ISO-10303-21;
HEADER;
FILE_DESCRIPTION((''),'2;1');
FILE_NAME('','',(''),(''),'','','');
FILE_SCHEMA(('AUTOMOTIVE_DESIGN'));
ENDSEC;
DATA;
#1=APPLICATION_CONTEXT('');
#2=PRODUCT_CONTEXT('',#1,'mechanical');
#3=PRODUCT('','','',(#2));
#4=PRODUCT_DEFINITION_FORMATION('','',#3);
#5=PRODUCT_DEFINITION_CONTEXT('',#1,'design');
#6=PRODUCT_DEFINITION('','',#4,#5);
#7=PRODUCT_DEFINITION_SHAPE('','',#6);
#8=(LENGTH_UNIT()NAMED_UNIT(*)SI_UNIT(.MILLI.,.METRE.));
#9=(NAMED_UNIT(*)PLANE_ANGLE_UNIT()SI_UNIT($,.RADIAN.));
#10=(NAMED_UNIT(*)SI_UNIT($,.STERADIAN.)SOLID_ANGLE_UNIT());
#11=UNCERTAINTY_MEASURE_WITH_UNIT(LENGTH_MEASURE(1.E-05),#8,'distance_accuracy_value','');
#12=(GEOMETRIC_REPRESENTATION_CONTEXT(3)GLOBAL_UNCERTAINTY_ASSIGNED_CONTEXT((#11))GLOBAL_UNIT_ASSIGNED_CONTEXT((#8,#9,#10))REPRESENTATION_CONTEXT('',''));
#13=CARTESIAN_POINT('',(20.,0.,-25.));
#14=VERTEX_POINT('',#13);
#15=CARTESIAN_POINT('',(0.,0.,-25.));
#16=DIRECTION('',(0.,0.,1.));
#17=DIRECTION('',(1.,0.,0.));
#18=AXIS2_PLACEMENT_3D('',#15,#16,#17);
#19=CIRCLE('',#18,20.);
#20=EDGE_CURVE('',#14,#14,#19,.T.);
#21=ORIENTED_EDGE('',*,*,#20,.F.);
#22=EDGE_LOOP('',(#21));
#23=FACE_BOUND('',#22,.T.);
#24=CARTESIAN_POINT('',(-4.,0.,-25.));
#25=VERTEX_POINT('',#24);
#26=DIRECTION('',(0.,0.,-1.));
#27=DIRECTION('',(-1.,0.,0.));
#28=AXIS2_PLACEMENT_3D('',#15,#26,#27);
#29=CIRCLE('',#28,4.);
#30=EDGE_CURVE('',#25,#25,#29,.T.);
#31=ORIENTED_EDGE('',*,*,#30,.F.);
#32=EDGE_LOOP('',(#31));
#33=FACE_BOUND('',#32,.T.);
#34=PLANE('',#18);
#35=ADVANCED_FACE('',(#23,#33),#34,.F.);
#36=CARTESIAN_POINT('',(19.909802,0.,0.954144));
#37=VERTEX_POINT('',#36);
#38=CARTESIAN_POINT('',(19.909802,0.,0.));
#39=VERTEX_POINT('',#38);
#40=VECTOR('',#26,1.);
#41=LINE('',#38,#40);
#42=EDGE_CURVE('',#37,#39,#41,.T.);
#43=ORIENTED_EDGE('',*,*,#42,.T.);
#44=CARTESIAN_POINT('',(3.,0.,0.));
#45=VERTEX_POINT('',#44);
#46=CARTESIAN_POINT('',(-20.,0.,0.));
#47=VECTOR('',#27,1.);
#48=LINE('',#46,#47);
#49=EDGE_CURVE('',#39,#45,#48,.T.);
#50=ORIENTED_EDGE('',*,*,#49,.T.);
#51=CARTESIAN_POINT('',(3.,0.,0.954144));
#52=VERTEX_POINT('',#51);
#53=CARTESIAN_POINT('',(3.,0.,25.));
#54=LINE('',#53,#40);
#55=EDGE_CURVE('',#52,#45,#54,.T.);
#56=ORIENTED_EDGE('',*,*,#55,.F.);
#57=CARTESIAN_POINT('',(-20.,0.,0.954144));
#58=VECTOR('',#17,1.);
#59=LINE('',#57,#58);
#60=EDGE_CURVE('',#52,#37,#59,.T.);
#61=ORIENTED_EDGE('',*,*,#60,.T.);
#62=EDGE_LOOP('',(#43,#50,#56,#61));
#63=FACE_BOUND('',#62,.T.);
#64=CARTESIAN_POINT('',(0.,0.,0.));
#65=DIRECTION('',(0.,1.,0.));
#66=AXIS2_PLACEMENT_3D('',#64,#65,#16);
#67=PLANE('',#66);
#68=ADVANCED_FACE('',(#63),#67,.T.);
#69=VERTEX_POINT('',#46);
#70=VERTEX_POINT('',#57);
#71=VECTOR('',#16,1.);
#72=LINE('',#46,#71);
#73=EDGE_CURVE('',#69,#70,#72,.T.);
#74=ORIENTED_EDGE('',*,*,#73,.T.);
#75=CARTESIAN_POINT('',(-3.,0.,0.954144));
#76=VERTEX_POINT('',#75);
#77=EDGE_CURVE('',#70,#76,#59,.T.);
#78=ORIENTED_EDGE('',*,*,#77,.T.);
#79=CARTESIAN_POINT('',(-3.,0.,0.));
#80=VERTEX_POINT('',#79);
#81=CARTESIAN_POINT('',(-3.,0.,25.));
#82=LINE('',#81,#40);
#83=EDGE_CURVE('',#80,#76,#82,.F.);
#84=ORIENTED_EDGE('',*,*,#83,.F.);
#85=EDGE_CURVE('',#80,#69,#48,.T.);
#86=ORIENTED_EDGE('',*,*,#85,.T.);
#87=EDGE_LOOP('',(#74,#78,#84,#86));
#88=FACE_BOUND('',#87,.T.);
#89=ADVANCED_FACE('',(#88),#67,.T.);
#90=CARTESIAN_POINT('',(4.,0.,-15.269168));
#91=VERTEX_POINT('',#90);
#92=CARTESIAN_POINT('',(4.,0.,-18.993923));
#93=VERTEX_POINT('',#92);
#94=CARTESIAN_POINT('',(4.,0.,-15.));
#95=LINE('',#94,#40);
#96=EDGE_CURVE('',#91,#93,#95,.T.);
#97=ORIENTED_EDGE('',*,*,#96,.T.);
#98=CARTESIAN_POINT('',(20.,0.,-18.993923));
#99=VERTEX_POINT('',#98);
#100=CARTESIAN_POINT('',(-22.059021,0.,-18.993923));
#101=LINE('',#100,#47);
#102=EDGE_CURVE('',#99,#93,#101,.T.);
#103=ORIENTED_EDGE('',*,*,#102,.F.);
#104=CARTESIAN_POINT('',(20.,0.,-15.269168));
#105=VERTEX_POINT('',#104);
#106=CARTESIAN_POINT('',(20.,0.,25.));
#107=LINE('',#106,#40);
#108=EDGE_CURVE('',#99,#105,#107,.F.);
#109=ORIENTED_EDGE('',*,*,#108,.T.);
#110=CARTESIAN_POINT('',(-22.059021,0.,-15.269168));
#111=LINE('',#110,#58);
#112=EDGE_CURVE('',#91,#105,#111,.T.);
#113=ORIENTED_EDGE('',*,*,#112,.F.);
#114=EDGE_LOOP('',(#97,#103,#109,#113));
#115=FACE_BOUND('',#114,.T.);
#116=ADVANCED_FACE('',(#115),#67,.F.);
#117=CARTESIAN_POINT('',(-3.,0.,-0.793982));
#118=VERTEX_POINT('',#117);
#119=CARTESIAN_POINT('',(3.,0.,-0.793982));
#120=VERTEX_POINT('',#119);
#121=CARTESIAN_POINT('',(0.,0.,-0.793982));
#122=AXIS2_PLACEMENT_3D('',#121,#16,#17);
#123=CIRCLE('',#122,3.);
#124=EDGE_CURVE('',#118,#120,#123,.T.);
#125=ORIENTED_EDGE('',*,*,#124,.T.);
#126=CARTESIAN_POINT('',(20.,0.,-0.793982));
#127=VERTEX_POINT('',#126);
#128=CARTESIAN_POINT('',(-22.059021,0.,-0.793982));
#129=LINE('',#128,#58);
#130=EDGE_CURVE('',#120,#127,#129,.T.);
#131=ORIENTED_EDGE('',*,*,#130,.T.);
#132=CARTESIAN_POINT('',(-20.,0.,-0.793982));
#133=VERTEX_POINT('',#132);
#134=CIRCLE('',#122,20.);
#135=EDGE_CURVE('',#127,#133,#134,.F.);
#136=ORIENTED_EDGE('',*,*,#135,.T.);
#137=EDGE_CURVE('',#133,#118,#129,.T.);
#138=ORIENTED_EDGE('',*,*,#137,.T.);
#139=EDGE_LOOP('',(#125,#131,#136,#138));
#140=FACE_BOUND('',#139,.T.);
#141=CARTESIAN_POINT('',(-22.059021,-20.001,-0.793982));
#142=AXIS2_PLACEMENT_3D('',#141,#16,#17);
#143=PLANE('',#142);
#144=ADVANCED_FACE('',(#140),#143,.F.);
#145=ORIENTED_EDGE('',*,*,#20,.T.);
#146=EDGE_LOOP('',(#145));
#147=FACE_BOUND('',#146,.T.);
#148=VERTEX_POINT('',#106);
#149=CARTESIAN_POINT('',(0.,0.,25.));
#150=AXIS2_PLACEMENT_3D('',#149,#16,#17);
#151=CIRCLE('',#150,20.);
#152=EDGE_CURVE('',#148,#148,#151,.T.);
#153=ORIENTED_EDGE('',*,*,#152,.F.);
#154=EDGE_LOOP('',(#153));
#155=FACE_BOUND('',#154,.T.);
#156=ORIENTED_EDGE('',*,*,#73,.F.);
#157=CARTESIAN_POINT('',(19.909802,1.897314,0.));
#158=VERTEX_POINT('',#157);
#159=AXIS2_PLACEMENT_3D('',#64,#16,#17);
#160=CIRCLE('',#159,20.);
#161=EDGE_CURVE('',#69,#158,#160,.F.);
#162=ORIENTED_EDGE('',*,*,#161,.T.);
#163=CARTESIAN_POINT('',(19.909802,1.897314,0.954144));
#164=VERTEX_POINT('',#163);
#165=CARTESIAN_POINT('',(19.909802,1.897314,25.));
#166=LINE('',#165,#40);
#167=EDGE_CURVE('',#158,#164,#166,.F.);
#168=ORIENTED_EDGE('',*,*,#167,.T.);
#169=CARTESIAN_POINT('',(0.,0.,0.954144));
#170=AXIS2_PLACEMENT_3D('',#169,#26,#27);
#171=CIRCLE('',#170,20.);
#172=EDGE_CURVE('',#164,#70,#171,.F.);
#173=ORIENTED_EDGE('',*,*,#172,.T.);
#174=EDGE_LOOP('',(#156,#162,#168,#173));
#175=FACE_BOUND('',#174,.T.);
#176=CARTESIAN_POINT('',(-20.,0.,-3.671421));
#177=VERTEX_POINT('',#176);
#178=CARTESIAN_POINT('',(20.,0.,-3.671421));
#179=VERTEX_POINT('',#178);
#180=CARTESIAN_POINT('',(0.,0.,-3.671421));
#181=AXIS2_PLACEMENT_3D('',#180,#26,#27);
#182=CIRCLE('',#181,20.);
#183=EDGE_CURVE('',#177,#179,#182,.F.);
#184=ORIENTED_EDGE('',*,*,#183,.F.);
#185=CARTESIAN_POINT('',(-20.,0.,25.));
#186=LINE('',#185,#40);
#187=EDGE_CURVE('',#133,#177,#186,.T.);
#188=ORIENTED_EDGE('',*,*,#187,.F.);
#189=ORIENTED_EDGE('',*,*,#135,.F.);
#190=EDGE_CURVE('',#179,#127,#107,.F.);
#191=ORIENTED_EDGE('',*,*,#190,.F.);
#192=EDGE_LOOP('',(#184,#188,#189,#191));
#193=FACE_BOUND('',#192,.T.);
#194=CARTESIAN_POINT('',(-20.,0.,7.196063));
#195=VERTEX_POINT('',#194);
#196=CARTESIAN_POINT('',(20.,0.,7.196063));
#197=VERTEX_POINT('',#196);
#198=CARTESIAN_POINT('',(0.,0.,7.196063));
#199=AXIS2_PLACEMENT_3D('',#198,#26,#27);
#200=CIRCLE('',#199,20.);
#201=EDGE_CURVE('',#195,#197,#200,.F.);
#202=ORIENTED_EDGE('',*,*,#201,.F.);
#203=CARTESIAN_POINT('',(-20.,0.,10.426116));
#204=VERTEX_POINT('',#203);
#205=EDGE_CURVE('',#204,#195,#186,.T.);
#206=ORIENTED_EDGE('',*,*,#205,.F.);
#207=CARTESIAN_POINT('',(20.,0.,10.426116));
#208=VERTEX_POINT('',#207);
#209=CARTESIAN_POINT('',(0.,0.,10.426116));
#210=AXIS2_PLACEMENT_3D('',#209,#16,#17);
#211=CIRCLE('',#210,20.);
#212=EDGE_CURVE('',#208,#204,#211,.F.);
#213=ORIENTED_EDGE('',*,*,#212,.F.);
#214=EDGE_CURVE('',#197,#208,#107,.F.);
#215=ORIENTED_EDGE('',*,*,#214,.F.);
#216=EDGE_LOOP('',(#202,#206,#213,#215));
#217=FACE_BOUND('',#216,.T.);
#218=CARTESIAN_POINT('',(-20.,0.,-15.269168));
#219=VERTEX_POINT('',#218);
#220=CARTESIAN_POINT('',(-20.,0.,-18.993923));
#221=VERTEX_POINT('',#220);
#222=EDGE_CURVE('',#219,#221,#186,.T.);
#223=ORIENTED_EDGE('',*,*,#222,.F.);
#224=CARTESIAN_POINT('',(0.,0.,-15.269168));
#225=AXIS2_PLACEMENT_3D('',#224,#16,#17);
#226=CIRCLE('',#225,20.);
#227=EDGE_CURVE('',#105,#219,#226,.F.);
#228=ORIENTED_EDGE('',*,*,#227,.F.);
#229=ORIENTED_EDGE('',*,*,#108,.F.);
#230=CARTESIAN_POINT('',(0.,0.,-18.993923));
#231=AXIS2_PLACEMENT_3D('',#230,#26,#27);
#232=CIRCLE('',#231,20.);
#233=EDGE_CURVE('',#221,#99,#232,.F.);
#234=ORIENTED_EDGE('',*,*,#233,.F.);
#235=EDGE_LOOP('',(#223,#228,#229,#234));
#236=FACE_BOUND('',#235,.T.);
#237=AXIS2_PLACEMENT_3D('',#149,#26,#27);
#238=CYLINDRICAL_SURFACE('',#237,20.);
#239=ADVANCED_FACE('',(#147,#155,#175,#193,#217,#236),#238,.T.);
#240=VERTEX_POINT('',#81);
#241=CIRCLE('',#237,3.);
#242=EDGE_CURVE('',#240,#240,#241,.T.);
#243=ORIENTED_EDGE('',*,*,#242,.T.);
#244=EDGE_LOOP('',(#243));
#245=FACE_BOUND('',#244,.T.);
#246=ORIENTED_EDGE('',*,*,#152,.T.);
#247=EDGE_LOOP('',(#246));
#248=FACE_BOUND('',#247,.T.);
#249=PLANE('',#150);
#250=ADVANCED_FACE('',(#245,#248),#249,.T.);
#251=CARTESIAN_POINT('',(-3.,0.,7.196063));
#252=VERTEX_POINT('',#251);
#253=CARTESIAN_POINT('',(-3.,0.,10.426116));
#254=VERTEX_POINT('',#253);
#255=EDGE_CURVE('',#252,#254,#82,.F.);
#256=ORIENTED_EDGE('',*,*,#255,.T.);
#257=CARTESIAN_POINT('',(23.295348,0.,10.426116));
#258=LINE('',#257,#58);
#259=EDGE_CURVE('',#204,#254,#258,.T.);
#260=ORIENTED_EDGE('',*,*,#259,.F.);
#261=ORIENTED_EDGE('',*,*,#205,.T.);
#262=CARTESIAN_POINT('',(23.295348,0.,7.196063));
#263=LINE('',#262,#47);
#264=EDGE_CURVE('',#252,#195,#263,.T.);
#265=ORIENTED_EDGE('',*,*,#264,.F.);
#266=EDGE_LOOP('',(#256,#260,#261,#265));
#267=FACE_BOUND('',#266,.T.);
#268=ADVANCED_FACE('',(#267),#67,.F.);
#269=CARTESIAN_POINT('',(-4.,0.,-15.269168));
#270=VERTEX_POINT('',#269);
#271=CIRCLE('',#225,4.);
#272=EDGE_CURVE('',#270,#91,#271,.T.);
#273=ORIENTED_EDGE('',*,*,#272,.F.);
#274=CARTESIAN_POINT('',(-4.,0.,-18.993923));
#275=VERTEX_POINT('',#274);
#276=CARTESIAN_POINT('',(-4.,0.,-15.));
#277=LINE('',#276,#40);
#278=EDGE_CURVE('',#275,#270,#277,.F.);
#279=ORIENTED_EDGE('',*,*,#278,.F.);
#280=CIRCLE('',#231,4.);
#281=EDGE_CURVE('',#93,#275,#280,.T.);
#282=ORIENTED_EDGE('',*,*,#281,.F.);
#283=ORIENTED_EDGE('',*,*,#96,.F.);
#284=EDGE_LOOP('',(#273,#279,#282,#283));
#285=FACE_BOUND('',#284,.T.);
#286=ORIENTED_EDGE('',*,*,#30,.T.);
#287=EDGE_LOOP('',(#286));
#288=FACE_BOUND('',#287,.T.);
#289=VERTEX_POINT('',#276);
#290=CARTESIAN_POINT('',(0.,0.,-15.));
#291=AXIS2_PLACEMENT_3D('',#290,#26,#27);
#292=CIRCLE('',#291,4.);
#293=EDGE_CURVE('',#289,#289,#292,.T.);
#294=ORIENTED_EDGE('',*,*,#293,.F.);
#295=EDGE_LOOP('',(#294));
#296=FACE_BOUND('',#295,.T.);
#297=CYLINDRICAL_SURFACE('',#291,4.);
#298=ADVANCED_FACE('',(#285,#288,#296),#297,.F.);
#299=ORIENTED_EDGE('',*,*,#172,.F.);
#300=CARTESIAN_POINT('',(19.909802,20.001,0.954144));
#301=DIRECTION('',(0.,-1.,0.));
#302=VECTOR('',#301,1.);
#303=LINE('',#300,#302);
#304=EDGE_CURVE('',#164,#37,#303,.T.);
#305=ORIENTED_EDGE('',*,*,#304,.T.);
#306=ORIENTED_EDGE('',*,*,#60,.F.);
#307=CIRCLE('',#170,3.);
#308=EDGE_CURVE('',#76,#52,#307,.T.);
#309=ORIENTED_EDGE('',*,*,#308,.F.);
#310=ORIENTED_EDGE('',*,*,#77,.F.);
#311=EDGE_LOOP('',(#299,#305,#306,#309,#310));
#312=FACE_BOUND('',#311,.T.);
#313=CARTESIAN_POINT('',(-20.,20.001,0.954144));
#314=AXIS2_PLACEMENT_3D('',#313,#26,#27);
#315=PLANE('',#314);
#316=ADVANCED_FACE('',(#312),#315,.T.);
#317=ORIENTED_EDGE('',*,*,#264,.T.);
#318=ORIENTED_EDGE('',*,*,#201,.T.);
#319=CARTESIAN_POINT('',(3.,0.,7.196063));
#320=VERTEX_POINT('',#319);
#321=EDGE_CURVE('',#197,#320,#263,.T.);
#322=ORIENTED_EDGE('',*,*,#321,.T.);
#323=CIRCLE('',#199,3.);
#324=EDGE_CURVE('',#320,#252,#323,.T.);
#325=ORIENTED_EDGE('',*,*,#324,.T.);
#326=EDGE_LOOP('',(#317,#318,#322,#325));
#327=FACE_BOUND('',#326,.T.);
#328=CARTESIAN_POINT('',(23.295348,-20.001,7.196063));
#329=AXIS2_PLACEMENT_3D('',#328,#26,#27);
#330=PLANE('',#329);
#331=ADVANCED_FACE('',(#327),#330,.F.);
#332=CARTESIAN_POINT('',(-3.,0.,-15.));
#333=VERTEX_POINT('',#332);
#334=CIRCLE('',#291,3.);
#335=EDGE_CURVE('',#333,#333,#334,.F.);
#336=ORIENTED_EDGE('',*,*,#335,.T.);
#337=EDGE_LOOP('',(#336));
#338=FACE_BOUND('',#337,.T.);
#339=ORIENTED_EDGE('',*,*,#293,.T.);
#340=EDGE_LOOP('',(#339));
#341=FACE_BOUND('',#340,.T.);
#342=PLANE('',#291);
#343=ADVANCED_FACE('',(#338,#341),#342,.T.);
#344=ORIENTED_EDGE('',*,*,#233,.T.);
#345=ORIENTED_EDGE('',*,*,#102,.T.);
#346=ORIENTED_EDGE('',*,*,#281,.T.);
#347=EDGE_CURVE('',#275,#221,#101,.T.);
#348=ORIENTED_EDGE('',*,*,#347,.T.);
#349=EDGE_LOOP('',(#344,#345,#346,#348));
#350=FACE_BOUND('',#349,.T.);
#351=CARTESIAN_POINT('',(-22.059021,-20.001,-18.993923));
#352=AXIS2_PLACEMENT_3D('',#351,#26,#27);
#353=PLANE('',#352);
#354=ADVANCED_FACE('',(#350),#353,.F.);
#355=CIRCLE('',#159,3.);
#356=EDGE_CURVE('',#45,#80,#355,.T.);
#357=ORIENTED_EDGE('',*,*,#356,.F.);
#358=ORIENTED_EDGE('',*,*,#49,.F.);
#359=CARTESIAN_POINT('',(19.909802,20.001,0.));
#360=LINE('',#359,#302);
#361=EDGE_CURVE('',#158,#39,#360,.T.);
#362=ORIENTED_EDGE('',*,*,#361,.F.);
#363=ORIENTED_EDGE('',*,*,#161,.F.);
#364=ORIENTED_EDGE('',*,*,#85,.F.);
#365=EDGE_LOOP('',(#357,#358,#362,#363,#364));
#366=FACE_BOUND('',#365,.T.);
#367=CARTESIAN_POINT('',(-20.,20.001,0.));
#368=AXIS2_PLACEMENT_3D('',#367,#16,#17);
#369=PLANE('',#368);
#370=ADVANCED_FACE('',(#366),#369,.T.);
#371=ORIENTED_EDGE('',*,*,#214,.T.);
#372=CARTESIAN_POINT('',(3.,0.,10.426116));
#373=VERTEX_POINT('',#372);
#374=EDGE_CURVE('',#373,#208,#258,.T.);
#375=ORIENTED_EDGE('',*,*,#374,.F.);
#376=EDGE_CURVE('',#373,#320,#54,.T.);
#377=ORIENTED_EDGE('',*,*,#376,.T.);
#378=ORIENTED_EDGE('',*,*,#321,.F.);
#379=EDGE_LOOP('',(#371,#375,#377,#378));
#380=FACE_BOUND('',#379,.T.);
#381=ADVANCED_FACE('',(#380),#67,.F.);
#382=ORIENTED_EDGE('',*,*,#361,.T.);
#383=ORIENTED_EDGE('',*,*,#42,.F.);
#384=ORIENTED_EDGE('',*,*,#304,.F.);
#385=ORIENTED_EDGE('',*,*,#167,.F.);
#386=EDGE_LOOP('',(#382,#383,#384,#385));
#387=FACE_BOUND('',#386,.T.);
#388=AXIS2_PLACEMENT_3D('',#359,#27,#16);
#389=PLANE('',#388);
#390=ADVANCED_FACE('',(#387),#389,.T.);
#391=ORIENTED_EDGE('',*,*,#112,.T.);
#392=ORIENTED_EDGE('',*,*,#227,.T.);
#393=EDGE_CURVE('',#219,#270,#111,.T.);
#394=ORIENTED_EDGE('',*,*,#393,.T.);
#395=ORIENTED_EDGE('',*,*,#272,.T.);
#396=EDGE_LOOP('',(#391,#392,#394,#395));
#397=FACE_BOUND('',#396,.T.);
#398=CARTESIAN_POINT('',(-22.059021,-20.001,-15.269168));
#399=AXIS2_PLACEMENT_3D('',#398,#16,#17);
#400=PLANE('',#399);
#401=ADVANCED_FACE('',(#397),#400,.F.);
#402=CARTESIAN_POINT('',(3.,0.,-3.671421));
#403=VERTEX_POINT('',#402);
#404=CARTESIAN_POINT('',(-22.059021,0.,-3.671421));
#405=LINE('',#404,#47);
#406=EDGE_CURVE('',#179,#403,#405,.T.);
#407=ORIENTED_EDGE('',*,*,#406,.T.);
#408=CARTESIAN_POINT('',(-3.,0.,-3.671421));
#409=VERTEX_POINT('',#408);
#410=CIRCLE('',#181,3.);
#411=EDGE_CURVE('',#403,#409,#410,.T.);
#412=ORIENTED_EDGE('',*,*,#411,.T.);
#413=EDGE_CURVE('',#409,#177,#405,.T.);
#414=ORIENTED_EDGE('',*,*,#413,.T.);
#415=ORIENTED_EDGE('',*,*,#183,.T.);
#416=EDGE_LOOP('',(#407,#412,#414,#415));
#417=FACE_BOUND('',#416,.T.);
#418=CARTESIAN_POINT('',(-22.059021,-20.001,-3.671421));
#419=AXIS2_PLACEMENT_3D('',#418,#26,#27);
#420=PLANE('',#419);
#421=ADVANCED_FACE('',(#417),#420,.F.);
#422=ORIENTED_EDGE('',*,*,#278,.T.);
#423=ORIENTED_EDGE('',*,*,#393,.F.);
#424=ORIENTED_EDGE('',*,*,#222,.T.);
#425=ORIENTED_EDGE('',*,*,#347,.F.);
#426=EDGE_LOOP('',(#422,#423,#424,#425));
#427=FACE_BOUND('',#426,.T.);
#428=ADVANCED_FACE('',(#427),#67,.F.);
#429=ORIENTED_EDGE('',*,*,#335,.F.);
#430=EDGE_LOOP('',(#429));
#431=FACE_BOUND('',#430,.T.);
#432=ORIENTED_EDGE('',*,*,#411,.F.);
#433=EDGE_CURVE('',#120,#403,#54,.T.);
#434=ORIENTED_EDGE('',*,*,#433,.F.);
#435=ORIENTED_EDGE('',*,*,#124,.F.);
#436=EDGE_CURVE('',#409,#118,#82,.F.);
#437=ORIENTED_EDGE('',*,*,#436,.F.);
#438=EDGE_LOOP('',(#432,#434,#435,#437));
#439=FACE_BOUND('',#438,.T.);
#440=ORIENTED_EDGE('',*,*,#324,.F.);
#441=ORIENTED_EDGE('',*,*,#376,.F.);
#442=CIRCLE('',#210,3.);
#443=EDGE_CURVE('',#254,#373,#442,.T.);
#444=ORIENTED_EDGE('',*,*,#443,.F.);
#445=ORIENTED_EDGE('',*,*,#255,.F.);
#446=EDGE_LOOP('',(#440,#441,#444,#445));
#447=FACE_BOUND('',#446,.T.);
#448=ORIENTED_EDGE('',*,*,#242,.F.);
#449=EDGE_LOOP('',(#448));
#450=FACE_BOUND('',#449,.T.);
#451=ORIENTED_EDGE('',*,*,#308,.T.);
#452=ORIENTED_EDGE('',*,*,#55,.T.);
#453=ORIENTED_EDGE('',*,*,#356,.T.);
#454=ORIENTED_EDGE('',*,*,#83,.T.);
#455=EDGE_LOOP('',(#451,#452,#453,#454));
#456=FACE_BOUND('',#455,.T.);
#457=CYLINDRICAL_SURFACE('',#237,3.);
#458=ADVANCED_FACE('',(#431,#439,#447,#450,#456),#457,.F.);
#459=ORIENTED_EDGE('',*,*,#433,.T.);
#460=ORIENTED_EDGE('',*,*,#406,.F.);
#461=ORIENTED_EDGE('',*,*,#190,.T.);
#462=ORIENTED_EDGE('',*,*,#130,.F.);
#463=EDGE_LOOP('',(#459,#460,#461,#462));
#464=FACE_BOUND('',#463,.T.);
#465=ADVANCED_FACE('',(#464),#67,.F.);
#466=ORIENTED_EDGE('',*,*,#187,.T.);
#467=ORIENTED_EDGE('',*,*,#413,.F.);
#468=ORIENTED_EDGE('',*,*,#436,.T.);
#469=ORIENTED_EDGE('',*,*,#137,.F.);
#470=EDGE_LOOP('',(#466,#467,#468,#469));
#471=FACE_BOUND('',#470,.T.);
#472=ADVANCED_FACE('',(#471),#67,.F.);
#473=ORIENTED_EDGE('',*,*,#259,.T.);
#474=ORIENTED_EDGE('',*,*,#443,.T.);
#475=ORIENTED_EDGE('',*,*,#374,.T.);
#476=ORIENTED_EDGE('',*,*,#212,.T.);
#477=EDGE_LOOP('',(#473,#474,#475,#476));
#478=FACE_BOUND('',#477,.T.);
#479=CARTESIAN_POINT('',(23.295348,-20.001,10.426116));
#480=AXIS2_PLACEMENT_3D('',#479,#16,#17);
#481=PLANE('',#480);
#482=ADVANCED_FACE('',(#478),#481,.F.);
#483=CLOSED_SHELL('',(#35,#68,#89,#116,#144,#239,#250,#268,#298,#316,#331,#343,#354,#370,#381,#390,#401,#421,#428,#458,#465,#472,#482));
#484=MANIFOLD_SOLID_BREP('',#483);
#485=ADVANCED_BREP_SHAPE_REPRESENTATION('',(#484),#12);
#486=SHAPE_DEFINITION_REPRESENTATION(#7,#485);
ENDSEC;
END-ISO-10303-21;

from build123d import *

# Parameters (mm, degrees)
SKETCH1_R           = 20
BOSS_EXTRUDE1_DEPTH = 25
CUT_EXTRUDE1_REACH  = 22
SKETCH2_W           = 45.354369025
SKETCH2_H           = 3.724754944
SKETCH2_H_2         = 2.877438925
SKETCH2_H_3         = 3.230053013
CUT_EXTRUDE2_REACH  = 22
SKETCH3_W           = 39.909801602
SKETCH3_H           = 0.954143847
SKETCH4_R           = 3
CUT_EXTRUDE3_DEPTH  = 51
SKETCH5_R           = 4
CUT_EXTRUDE4_DEPTH  = 10


with BuildPart() as part:
    # Sketch1 → Boss-Extrude1 (new body, symmetric)
    with BuildSketch(Plane.XY):
        Circle(SKETCH1_R)
    extrude(amount=BOSS_EXTRUDE1_DEPTH, both=True)

    # Sketch2 → Cut-Extrude1 (cut, up to next)
    with BuildSketch(Plane(origin=(0, 0, 0), x_dir=(1, 0, 0), z_dir=(0, 1, 0)), mode=Mode.PRIVATE) as cut_extrude1_sk1:
        with Locations((0.618163083, 17.131545904)):
            Rectangle(SKETCH2_W, SKETCH2_H)
    cut_extrude1_tool1 = extrude(cut_extrude1_sk1.sketch, amount=-CUT_EXTRUDE1_REACH, mode=Mode.PRIVATE) & part.part
    add(cut_extrude1_tool1.solids().sort_by_distance((0.618163, 0, -17.131546))[0], mode=Mode.SUBTRACT)
    # Sketch2 → Cut-Extrude1 (cut, up to next)
    with BuildSketch(Plane(origin=(0, 0, 0), x_dir=(1, 0, 0), z_dir=(0, 1, 0)), mode=Mode.PRIVATE) as cut_extrude1_sk2:
        with Locations((0.618163083, 2.232701411)):
            Rectangle(SKETCH2_W, SKETCH2_H_2)
    cut_extrude1_tool2 = extrude(cut_extrude1_sk2.sketch, amount=-CUT_EXTRUDE1_REACH, mode=Mode.PRIVATE) & part.part
    add(cut_extrude1_tool2.solids().sort_by_distance((0.618163, 0, -2.232701))[0], mode=Mode.SUBTRACT)
    # Sketch2 → Cut-Extrude1 (cut, up to next)
    with BuildSketch(Plane(origin=(0, 0, 0), x_dir=(1, 0, 0), z_dir=(0, 1, 0)), mode=Mode.PRIVATE) as cut_extrude1_sk3:
        with Locations((0.618163083, -8.81108963)):
            Rectangle(SKETCH2_W, SKETCH2_H_3)
    cut_extrude1_tool3 = extrude(cut_extrude1_sk3.sketch, amount=-CUT_EXTRUDE1_REACH, mode=Mode.PRIVATE) & part.part
    add(cut_extrude1_tool3.solids().sort_by_distance((0.618163, 0, 8.81109))[0], mode=Mode.SUBTRACT)

    # Sketch3 → Cut-Extrude2 (cut, up to next)
    with BuildSketch(Plane(origin=(0, 0, 0), x_dir=(1, 0, 0), z_dir=(0, 1, 0)), mode=Mode.PRIVATE) as cut_extrude2_sk1:
        with Locations((-0.045099199, -0.477071924)):
            Rectangle(SKETCH3_W, SKETCH3_H)
    cut_extrude2_tool1 = extrude(cut_extrude2_sk1.sketch, amount=CUT_EXTRUDE2_REACH, mode=Mode.PRIVATE) & part.part
    add(cut_extrude2_tool1.solids().sort_by_distance((-0.045099, 0, 0.477072))[0], mode=Mode.SUBTRACT)

    # Sketch4 → Cut-Extrude3 (cut, through all)
    with BuildSketch(Plane(origin=(0, 0, -25), x_dir=(-1, 0, 0), z_dir=(0, 0, -1))):
        Circle(SKETCH4_R)
    extrude(amount=-CUT_EXTRUDE3_DEPTH, mode=Mode.SUBTRACT)

    # Sketch5 → Cut-Extrude4 (cut)
    with BuildSketch(Plane(origin=(0, 0, -25), x_dir=(-1, 0, 0), z_dir=(0, 0, -1))):
        Circle(SKETCH5_R)
    extrude(amount=-CUT_EXTRUDE4_DEPTH, mode=Mode.SUBTRACT)


solid = part.part
